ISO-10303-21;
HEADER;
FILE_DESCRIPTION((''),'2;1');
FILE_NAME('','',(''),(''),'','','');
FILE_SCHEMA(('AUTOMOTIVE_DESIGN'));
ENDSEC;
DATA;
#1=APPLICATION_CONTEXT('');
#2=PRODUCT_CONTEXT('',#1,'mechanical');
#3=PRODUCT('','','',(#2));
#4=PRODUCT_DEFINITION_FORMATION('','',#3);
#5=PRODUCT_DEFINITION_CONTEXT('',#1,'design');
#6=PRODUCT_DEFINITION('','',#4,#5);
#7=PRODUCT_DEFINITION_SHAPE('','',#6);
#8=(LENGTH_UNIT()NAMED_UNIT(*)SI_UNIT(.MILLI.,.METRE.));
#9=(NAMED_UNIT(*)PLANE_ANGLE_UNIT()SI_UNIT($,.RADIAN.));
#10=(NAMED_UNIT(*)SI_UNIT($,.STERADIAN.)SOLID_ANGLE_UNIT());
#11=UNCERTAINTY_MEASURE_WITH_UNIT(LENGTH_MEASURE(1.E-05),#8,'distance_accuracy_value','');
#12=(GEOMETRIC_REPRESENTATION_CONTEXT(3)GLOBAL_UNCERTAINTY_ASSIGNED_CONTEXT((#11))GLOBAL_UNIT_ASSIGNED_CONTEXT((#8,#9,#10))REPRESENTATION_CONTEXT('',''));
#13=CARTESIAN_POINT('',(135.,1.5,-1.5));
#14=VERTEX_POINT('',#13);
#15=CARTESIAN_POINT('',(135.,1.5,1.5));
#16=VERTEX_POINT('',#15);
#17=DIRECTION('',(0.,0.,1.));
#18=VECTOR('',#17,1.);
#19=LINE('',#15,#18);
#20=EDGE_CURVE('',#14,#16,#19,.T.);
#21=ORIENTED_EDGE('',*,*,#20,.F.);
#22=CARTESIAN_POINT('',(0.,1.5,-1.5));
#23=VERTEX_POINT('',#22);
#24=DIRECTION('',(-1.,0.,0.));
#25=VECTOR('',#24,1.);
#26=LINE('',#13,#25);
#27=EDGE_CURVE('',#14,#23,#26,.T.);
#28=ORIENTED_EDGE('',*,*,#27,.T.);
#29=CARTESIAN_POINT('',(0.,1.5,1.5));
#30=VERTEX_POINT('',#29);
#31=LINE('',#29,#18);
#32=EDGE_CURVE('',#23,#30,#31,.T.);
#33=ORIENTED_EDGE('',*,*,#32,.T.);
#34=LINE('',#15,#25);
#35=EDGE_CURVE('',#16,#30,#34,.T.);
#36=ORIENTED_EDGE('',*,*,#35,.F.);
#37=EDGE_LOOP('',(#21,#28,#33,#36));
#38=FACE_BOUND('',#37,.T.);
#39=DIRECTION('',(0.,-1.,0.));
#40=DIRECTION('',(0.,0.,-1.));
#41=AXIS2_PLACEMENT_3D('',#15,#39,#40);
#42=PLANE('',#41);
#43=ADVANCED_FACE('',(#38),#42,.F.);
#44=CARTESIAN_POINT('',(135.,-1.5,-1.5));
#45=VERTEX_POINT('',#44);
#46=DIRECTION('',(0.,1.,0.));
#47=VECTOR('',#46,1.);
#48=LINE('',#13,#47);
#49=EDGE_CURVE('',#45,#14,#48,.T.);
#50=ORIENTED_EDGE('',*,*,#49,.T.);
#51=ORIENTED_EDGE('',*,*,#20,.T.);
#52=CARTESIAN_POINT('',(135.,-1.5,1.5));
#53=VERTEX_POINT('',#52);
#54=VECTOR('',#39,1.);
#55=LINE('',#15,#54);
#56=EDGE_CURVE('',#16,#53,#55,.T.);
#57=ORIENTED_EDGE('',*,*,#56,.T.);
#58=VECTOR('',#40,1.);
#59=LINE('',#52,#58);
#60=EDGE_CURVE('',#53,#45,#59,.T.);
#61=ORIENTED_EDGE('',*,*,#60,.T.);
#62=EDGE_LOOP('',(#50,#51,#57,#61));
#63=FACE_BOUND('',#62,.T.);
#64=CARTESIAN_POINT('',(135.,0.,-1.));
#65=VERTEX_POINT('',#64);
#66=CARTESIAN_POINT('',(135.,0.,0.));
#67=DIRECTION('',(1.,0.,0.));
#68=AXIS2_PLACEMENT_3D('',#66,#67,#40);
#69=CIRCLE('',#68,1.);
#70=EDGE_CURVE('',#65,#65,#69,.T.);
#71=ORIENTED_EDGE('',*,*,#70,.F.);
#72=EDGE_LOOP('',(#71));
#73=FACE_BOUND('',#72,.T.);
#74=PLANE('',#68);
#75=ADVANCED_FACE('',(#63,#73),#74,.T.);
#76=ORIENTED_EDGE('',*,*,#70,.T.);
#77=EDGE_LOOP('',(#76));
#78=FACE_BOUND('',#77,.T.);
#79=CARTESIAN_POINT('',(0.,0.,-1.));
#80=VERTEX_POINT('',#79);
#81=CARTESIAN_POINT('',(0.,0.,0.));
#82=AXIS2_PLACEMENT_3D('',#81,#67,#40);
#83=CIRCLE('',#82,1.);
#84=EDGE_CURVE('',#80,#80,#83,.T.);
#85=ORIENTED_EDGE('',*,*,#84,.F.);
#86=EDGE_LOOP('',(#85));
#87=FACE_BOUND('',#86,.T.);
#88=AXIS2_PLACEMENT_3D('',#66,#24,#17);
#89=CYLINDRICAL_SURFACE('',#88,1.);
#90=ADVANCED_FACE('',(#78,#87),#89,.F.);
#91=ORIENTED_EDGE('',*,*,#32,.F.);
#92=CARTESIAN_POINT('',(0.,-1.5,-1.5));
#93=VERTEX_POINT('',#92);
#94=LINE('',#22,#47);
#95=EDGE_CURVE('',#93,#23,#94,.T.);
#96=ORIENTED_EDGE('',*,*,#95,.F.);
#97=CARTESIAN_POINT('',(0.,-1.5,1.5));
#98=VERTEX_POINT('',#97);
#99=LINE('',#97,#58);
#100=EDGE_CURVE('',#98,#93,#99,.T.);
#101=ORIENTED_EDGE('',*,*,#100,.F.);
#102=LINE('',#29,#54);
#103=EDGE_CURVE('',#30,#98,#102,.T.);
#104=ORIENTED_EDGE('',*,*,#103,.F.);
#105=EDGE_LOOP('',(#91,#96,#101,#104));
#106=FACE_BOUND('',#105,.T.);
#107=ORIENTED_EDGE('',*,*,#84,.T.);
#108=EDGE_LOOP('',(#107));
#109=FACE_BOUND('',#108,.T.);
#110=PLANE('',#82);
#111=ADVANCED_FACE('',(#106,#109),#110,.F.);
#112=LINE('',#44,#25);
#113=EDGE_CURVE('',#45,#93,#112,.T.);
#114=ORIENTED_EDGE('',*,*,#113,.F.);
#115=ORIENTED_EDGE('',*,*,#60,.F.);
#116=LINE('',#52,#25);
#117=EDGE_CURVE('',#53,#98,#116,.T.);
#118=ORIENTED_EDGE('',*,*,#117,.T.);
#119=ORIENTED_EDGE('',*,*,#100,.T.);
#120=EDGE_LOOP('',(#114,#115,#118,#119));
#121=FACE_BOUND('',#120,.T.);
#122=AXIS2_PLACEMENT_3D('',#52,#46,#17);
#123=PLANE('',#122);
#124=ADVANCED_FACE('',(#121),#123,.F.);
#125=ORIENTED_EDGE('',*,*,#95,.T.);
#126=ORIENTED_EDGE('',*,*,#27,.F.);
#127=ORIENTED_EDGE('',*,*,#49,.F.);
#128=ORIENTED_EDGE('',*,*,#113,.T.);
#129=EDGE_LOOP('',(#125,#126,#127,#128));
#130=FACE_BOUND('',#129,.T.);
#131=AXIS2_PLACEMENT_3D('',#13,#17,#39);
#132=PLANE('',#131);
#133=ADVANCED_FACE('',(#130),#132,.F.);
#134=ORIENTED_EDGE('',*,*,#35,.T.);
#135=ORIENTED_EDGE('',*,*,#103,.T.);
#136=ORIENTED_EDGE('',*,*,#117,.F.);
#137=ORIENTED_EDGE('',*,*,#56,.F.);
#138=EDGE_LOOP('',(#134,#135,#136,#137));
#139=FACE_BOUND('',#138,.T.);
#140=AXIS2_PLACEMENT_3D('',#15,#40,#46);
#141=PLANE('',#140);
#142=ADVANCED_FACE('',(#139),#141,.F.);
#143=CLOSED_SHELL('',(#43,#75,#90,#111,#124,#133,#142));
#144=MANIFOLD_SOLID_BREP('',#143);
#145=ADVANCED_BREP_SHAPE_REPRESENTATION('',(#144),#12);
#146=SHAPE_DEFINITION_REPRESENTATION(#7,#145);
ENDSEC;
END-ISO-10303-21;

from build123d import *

# Parameters (mm, degrees)
SKETCH_1_W      = 3
SKETCH_1_H      = 3
SKETCH_1_R      = 1
EXTRUDE_1_DEPTH = 135


with BuildPart() as part:
    # 草图1 → 凸台-拉伸1 (new body)
    with BuildSketch(Plane(origin=(0, 0, 0), x_dir=(0, 0, -1), z_dir=(1, 0, 0))):
        Rectangle(SKETCH_1_W, SKETCH_1_H)
        Circle(SKETCH_1_R, mode=Mode.SUBTRACT)
    extrude(amount=EXTRUDE_1_DEPTH)


solid = part.part
